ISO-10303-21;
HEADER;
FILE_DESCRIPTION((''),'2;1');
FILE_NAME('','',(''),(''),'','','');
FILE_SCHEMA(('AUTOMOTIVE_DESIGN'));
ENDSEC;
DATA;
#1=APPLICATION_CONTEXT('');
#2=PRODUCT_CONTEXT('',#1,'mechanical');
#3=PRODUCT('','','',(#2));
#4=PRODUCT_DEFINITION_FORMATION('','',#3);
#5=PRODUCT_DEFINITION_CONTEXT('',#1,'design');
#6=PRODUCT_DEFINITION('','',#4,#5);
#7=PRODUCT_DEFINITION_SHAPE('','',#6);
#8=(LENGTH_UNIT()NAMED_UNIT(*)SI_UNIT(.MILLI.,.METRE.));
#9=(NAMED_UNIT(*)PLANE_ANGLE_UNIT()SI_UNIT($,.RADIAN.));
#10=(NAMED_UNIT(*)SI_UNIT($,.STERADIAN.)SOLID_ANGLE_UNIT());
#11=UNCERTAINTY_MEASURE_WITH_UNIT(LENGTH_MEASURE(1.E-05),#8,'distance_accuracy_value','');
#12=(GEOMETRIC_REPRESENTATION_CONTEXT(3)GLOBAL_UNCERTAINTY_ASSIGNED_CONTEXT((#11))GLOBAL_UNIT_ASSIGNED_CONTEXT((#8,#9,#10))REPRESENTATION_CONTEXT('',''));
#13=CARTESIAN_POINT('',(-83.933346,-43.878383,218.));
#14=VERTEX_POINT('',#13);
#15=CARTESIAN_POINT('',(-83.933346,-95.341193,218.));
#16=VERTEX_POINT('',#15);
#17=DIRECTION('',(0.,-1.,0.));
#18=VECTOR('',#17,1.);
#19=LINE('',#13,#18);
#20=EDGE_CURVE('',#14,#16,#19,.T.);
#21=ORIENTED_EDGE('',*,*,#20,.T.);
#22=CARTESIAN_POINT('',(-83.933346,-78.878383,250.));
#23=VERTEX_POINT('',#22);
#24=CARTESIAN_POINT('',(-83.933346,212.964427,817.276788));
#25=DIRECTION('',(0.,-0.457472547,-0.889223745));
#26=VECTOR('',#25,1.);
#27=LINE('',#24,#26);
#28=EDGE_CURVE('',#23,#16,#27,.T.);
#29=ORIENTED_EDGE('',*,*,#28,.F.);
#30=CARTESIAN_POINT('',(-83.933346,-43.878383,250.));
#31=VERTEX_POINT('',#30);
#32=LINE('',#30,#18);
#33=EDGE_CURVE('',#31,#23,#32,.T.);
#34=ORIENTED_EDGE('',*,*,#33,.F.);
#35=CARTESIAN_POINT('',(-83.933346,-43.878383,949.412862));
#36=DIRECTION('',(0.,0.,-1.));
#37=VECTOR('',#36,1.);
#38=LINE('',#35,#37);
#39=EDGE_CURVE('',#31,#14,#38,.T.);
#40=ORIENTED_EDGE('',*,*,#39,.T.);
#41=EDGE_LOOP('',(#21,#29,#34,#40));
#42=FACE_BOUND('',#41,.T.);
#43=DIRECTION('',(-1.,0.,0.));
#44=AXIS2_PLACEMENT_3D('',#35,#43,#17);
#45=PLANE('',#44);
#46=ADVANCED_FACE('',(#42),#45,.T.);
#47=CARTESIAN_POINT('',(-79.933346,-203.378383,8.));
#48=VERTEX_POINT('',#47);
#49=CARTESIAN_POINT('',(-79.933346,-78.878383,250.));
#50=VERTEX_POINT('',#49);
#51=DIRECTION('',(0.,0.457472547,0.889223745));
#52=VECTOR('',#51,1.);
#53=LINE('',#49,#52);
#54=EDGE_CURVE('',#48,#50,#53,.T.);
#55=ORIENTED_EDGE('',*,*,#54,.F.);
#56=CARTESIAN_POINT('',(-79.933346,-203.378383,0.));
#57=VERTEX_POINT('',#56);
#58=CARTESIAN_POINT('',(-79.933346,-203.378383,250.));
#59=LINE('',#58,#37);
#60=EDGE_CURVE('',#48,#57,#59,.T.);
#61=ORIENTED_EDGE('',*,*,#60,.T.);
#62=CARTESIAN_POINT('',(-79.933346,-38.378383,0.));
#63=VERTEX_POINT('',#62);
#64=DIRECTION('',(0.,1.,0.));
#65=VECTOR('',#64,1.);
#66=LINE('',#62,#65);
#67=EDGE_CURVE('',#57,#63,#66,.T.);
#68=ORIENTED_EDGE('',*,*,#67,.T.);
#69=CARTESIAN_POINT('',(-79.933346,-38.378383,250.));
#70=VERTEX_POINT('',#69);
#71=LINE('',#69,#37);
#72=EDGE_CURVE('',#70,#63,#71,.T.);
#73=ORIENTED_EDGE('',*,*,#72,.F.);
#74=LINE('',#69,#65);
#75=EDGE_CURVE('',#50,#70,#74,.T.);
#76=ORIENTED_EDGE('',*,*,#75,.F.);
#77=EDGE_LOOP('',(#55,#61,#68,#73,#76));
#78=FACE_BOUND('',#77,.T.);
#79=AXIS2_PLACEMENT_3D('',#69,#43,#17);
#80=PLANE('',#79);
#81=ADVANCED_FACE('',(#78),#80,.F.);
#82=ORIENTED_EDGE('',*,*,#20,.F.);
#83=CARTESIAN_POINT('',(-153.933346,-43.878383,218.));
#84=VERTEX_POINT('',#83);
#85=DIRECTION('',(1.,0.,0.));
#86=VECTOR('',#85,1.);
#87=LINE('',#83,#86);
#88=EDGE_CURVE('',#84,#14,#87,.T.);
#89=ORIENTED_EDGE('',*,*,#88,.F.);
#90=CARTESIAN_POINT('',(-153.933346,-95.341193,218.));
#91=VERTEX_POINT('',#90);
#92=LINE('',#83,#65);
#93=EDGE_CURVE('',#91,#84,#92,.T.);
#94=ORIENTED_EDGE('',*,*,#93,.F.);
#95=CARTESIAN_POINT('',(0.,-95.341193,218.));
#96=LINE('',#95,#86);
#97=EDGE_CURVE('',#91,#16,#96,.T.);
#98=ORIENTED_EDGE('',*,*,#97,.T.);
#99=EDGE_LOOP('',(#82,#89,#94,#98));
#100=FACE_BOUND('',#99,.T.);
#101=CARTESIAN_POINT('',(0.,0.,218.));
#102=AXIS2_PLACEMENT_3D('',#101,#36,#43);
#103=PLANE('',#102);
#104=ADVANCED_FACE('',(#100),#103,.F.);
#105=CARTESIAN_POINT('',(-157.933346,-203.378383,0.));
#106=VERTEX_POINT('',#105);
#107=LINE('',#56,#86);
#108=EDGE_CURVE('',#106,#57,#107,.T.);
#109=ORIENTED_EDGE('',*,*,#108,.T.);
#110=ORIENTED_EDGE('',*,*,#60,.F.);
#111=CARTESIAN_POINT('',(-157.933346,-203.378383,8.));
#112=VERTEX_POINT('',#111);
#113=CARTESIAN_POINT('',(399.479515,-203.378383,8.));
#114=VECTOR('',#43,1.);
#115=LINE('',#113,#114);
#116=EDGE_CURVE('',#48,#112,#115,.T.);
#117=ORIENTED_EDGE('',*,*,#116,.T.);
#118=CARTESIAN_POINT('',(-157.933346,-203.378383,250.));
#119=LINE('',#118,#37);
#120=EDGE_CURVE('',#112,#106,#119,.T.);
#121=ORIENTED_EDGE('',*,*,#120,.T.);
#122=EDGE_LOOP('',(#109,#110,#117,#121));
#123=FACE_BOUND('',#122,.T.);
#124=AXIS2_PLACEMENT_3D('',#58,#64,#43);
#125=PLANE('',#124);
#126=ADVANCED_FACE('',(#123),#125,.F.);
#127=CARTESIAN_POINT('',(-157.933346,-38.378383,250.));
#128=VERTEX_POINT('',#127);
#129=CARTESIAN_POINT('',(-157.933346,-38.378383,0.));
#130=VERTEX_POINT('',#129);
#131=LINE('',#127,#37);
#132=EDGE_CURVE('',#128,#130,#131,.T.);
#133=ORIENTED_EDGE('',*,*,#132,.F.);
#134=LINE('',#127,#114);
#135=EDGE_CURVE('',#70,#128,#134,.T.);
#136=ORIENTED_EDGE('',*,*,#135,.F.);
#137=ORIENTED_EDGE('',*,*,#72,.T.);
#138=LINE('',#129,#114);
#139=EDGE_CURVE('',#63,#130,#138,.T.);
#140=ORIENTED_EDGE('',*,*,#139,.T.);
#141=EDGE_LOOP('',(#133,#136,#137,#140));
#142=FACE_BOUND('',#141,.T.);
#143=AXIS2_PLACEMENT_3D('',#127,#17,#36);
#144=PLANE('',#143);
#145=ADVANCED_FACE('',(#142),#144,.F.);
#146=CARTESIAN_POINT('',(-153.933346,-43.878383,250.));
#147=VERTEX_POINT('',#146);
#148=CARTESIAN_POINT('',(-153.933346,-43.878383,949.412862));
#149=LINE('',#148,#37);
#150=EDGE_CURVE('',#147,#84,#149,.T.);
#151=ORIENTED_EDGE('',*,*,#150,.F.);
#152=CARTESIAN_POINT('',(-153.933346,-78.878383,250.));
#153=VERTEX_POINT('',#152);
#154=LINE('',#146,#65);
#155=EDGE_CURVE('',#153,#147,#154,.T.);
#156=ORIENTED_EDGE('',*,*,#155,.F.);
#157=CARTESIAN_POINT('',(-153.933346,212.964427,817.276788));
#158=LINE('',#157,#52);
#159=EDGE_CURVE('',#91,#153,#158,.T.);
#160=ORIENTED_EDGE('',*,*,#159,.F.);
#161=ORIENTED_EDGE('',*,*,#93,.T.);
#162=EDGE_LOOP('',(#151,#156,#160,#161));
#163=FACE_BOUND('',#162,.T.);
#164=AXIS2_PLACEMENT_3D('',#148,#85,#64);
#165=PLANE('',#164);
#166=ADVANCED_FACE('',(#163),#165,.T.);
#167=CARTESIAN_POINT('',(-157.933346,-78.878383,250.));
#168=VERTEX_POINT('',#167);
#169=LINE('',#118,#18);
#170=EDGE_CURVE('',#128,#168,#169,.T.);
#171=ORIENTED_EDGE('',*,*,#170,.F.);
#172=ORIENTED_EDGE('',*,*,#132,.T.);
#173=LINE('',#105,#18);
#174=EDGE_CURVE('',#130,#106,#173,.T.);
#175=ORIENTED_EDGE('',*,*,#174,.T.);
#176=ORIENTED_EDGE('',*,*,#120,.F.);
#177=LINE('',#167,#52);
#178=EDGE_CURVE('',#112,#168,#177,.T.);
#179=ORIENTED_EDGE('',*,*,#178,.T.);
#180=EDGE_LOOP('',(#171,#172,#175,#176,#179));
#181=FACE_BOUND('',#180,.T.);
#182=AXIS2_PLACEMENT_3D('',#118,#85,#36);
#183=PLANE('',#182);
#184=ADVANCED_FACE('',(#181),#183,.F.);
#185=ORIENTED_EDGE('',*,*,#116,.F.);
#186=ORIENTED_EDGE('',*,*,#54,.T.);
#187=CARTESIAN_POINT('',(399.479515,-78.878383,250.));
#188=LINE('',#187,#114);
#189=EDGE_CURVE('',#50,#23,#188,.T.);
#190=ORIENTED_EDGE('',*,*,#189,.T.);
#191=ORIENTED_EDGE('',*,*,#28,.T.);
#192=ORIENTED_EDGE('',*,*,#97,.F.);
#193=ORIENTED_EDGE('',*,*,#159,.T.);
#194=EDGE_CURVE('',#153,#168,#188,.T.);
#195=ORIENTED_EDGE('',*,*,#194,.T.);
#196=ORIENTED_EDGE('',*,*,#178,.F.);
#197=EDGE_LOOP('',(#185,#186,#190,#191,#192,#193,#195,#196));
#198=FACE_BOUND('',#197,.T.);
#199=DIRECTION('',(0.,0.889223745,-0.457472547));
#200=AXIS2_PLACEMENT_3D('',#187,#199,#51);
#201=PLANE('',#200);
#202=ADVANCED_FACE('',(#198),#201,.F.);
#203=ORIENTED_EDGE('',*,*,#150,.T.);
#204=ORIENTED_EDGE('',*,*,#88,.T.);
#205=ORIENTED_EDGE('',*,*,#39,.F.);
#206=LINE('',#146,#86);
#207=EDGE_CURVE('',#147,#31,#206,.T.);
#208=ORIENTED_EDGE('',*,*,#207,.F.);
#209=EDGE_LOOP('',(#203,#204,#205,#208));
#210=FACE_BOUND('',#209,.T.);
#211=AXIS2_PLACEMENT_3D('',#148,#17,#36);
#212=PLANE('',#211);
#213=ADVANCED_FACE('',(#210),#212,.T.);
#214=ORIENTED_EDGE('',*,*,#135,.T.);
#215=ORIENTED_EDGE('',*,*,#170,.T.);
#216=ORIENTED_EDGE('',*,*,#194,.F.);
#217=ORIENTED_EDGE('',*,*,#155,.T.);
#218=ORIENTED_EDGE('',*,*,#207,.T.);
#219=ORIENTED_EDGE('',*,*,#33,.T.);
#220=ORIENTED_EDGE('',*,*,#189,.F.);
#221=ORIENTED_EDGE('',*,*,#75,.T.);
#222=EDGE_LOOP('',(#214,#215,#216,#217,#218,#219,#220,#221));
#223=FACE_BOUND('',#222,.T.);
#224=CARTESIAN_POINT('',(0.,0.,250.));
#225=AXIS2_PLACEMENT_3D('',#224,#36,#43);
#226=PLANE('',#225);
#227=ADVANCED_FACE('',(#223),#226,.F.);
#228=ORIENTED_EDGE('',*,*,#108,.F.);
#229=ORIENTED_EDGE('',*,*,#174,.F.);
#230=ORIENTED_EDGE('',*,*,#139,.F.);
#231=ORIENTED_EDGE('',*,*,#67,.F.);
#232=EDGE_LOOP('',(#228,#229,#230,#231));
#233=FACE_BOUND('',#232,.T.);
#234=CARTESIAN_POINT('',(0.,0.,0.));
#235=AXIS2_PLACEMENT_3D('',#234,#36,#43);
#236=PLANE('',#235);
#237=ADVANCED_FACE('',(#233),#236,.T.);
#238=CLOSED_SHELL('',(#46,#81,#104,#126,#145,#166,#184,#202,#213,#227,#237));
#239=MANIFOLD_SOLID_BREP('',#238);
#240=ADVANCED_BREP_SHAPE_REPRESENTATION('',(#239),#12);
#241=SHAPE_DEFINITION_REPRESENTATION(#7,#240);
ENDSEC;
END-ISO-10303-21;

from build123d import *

# Parameters (mm, degrees)
ESQUISSE1_W                  = 78
ESQUISSE1_H                  = 165
BOSS_EXTRU_2_DEPTH           = 250
ENL_V_MAT_EXTRU_6_DEPTH      = 359.895122211
ENL_V_MAT_EXTRU_6_DEPTH_BACK = 32
ENL_V_MAT_EXTRU_7_DEPTH      = 332.582217321
ENL_V_MAT_EXTRU_7_DEPTH_BACK = 78


with BuildPart() as part:
    # Esquisse1 → Boss.-Extru.2 (new body)
    with BuildSketch(Plane.XY):
        with Locations((-118.933346394, -120.878383423)):
            Rectangle(ESQUISSE1_W, ESQUISSE1_H)
    extrude(amount=BOSS_EXTRU_2_DEPTH)

    # Esquisse3 → Enlèv. mat.-Extru.6 (cut, two sides: drawn at the far end of the back side and taken through both)
    with BuildSketch(Plane.XY.offset(250).offset(-ENL_V_MAT_EXTRU_6_DEPTH_BACK)):
        Polygon((-83.933346394, -575.046739794), (-83.933346394, -203.378383423), (-83.933346394, -43.878383423), (-153.933346394, -43.878383423), (-153.933346394, -203.378383423), (-153.933346394, -575.046739794), (-153.933346394, -1318.383452535), (-83.933346394, -1318.383452535), align=None)
    extrude(amount=ENL_V_MAT_EXTRU_6_DEPTH + ENL_V_MAT_EXTRU_6_DEPTH_BACK, mode=Mode.SUBTRACT)

    # Esquisse5 → Enlèv. mat.-Extru.7 (cut, two sides: drawn at the far end of the back side and taken through both)
    with BuildSketch(Plane(origin=(-79.933346394, 0, 0), x_dir=(0, 0, -1), z_dir=(1, 0, 0)).offset(-ENL_V_MAT_EXTRU_7_DEPTH_BACK)):
        Polygon((-779.795226733, 193.681557603), (-250, -78.878383423), (-8, -203.378383423), (521.795226733, -475.938324449), (-23.324655319, -1535.528777915), (-1324.915108785, -865.908895863), align=None)
    extrude(amount=ENL_V_MAT_EXTRU_7_DEPTH + ENL_V_MAT_EXTRU_7_DEPTH_BACK, mode=Mode.SUBTRACT)


solid = part.part
